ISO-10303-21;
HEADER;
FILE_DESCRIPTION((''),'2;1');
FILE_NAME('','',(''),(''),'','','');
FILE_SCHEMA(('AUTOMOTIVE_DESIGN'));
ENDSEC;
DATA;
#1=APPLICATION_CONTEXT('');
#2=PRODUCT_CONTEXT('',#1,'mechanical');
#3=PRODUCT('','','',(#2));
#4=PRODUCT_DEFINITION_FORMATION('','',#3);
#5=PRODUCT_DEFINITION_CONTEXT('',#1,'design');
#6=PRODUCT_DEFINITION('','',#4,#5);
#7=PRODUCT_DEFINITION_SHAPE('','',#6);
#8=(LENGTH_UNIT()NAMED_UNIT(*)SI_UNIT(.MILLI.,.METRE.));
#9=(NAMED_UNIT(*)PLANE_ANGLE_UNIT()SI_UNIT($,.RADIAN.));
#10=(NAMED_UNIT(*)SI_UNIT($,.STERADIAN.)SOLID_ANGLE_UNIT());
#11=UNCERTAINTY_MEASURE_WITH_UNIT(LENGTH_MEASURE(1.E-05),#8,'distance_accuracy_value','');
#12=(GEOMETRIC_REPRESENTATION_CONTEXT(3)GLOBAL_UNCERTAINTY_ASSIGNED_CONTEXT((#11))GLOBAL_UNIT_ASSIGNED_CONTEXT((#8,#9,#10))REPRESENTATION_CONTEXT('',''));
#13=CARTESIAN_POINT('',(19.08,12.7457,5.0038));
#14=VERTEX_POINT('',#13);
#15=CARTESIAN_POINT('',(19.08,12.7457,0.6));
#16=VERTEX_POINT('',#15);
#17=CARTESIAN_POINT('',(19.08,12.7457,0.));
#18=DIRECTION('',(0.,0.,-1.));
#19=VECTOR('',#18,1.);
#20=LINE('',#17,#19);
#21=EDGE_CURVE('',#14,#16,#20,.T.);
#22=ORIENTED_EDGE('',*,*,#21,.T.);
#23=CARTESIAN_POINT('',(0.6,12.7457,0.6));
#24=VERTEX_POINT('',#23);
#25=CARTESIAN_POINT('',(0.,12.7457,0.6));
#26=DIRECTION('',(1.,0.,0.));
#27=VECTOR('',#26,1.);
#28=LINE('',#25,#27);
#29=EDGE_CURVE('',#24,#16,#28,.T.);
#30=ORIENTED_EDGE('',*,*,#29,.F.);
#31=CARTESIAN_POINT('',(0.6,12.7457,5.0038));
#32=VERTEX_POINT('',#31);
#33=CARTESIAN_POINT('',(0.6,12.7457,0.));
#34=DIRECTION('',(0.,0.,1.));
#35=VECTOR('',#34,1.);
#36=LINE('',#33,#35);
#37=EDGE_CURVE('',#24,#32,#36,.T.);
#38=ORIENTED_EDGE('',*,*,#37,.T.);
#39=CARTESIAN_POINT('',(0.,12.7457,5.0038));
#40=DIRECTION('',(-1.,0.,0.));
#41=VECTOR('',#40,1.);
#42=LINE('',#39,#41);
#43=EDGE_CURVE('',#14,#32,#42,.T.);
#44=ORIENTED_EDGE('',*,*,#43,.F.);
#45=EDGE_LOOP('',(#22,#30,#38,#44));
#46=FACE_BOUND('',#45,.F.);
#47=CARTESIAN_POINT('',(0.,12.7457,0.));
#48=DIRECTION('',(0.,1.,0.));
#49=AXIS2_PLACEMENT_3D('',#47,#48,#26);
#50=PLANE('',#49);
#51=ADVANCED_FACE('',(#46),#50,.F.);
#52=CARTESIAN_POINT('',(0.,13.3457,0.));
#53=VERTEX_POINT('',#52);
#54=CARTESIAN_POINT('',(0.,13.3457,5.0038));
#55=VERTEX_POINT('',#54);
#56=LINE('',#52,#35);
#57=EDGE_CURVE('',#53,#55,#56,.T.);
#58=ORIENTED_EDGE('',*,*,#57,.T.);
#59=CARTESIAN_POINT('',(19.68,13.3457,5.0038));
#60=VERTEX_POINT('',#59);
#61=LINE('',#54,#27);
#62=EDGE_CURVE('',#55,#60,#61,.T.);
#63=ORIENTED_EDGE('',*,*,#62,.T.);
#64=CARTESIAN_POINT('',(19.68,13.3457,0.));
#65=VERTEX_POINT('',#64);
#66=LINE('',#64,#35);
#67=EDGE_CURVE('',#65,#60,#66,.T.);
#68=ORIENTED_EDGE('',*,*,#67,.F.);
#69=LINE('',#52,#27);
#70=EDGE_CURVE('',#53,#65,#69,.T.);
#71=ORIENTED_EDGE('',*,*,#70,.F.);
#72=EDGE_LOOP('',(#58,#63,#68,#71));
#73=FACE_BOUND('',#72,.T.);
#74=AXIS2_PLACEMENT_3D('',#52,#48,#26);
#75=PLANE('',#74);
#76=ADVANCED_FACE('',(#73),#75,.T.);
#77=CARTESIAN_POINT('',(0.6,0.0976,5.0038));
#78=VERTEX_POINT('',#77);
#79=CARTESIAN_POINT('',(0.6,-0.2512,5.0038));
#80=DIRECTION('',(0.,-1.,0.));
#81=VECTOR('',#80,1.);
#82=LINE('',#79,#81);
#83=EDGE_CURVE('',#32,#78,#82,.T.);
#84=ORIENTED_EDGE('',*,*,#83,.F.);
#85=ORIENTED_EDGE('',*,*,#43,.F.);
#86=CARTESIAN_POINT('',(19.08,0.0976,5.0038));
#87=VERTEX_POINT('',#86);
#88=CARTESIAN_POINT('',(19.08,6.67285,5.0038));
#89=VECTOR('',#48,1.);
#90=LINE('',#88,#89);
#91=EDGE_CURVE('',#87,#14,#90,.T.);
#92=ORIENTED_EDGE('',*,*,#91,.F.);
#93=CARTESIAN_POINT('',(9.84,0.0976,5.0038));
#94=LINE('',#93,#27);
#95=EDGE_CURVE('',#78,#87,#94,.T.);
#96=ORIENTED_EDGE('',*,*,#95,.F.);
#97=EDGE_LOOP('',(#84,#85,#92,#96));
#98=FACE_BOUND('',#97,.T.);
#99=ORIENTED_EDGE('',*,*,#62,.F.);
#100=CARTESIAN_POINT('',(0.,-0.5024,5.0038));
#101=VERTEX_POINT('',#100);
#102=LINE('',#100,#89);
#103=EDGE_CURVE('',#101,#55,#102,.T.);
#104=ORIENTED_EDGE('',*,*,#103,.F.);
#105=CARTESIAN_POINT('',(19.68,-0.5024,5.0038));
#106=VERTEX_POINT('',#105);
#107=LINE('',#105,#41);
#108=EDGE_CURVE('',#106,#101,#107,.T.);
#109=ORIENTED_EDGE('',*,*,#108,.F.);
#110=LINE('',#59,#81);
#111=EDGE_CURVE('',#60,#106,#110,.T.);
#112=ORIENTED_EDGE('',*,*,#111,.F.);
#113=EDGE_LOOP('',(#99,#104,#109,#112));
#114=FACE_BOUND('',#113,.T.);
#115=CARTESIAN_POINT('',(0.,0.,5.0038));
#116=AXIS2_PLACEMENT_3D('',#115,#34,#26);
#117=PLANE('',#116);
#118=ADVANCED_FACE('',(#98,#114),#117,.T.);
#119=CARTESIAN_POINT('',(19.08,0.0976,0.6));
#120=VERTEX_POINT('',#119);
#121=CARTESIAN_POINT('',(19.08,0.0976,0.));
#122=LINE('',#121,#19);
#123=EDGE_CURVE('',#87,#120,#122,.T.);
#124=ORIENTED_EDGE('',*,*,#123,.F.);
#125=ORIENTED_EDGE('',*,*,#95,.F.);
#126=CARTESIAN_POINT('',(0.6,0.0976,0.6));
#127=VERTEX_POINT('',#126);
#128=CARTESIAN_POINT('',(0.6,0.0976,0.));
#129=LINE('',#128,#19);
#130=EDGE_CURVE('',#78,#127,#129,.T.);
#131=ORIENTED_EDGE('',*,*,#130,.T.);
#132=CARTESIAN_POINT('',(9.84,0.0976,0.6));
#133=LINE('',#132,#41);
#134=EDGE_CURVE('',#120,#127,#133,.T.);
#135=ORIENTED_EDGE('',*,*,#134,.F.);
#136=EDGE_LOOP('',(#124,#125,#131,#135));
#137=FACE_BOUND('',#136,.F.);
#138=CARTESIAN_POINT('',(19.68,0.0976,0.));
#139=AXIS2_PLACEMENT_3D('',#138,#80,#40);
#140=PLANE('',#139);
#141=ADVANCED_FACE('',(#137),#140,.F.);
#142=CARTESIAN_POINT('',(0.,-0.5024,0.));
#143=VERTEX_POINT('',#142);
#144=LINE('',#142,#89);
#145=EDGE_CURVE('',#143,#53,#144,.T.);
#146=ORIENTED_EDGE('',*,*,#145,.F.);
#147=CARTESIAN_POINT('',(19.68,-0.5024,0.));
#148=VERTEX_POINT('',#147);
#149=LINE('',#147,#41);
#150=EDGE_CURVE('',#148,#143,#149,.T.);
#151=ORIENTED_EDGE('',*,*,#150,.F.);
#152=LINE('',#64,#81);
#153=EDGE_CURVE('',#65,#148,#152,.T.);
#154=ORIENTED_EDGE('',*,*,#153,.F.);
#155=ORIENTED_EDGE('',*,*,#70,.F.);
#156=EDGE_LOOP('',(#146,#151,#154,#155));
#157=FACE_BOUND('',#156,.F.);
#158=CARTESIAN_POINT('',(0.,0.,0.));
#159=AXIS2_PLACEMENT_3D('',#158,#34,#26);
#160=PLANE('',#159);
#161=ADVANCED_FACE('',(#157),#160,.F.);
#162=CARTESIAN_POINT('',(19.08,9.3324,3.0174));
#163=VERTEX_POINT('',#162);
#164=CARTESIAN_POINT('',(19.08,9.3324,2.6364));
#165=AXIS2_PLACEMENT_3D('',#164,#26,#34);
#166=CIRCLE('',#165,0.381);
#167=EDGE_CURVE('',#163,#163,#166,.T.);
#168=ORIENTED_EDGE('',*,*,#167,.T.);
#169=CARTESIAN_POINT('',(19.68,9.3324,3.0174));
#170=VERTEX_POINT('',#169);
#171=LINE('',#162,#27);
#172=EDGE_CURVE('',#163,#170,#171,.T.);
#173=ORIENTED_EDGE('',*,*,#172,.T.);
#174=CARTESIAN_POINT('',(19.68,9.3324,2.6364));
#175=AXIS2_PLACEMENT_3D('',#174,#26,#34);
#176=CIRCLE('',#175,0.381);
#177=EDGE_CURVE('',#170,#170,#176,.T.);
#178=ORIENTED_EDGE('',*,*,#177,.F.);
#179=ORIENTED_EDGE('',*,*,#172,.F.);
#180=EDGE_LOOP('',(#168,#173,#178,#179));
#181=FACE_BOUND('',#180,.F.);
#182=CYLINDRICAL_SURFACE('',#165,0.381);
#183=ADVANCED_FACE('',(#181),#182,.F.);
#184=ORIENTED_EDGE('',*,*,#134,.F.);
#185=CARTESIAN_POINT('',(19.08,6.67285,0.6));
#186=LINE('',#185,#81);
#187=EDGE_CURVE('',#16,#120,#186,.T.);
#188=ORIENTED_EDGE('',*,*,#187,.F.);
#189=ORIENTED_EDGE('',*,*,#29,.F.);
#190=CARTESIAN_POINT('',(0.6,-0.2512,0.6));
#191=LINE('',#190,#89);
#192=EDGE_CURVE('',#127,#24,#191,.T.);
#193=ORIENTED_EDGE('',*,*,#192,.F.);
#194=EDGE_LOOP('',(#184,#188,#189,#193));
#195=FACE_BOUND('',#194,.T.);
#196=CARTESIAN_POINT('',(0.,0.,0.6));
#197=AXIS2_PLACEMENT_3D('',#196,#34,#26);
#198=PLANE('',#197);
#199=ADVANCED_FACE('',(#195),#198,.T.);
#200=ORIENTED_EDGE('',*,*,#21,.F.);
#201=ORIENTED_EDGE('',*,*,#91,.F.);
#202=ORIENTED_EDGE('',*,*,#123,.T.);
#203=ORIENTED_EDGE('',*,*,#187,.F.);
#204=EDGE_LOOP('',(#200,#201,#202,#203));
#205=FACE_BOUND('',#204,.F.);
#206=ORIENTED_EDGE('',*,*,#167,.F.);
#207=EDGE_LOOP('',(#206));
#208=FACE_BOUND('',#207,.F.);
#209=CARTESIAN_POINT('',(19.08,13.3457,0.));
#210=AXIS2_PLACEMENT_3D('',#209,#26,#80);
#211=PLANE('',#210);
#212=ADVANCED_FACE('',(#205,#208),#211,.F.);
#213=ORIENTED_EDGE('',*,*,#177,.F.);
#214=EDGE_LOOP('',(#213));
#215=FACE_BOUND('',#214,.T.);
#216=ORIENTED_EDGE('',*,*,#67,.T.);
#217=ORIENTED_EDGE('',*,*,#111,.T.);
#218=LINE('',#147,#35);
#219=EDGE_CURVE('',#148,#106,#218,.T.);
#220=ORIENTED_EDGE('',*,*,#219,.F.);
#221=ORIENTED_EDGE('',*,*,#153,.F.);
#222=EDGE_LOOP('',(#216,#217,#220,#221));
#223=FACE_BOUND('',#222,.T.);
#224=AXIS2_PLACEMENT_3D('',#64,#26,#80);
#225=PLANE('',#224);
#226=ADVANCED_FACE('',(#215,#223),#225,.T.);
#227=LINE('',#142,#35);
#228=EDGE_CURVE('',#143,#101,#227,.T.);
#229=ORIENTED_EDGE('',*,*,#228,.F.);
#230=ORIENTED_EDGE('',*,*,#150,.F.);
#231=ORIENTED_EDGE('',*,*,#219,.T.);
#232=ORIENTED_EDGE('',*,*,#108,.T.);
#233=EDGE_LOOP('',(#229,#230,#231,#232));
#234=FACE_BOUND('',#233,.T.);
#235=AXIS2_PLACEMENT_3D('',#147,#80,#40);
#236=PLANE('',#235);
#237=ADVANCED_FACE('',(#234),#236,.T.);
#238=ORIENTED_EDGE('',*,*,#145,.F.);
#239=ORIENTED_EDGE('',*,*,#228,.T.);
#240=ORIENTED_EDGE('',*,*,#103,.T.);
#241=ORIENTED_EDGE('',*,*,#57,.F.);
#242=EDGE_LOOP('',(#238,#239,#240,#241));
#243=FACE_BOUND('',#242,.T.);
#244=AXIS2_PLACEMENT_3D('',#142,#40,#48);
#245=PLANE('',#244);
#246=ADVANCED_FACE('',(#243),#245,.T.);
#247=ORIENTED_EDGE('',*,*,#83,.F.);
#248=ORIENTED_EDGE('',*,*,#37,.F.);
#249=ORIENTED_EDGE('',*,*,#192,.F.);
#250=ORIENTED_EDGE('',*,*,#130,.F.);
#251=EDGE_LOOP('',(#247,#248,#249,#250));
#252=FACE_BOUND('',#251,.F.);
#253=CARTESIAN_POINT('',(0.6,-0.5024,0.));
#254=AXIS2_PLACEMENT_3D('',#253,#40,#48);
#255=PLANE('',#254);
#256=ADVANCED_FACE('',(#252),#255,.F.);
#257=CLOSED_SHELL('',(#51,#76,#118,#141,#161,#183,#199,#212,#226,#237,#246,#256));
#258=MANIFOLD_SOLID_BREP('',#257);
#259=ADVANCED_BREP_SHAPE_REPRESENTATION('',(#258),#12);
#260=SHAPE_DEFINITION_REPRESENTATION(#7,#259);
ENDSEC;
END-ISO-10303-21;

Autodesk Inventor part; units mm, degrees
ref_plane "YZ Plane" through (0, 0, 0) normal (1, 0, 0) x (0, 1, 0)
ref_plane "XZ Plane" through (0, 0, 0) normal (0, 1, 0) x (-1, 0, 0)
ref_plane "XY Plane" through (0, 0, 0) normal (0, 0, 1) x (1, 0, 0)
sketch "Sketch1" plane through (0, 0, 0) normal (0, 0, 1) x (1, 0, 0)
  line L0 (0, 13.3457) -> (19.68, 13.3457)
  line L1 (19.68, 13.3457) -> (19.68, -0.5024)
  line L2 (19.68, -0.5024) -> (0, -0.5024)
  line L3 (0, -0.5024) -> (0, 13.3457)
  point P0 (0, 0)
extrude "Extrusion1" add sketch "Sketch1" along normal blind 5.0038
shell "Shell1" thickness 0.6 removed faces 1 at (6.56, 4.1137, 5.0038)
sketch "Sketch2" plane through (19.08, 0.0976, 0.6) normal (-1, 0, 0) x (0, 0, 1)
  point P0 (-0.6, -0.0976)
  point P1 (2.0364, 9.2348)
hole "Hole1" at (19.08, 9.3324, 2.6364) direction (1, 0, 0) diameter 0.762 end through all
properties part number "a1"
